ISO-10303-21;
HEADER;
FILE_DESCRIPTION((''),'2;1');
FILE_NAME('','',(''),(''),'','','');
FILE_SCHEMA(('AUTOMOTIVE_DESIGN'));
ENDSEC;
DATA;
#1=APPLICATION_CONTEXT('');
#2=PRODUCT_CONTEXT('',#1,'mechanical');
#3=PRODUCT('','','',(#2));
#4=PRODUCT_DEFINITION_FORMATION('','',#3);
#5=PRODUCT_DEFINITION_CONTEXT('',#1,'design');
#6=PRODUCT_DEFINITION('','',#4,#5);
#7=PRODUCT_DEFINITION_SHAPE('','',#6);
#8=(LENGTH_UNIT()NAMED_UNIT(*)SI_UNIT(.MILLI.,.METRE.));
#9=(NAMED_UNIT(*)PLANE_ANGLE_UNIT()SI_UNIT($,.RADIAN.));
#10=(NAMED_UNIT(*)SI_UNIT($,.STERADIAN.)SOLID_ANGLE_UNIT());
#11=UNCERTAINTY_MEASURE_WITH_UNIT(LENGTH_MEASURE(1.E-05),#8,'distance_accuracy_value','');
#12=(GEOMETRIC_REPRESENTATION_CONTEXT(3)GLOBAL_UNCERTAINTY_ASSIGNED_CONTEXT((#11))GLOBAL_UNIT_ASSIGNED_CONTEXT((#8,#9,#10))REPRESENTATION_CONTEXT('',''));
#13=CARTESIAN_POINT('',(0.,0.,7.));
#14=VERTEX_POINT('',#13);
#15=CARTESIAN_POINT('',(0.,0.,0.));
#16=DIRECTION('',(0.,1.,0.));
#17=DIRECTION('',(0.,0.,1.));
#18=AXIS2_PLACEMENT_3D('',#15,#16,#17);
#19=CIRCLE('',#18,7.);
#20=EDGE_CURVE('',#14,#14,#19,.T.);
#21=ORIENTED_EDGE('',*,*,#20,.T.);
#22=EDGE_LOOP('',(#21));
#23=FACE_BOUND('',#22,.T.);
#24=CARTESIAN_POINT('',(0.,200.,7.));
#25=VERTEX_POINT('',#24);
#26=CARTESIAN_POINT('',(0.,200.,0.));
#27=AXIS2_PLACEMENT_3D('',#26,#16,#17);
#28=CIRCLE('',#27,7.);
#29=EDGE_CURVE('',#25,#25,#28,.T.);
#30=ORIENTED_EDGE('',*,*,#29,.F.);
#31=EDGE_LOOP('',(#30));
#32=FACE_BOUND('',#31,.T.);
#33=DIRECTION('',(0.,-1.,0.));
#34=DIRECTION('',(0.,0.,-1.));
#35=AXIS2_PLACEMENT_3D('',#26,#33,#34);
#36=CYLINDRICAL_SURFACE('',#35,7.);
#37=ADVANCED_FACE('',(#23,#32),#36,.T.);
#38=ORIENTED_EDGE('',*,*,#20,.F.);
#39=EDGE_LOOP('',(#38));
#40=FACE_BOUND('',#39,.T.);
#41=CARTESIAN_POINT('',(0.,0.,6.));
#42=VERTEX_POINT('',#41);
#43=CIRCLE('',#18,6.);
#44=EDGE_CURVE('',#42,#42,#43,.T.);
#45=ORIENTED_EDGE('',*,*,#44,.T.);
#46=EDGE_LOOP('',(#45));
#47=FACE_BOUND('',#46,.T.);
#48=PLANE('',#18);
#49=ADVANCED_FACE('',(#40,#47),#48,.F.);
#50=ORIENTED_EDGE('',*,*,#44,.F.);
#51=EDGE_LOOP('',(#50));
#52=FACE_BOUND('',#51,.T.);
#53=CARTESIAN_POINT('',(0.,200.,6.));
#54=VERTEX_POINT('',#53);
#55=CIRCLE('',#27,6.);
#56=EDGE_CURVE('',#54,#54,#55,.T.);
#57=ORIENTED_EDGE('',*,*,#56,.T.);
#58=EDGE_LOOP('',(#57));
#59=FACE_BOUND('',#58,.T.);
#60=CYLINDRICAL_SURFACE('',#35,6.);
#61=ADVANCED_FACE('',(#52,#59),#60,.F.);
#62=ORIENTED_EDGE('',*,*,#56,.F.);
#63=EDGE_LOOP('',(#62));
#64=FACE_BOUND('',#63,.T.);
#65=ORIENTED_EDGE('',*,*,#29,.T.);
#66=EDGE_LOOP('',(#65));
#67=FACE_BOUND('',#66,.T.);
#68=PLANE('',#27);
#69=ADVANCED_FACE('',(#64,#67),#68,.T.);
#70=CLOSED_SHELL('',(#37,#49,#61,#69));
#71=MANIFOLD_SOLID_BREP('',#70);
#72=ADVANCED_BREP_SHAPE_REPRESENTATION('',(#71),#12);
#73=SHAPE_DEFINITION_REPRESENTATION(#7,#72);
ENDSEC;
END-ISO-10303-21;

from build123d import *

# Parameters (mm, degrees)
SKETCH_1_R      = 7
SKETCH_1_R_2    = 6
EXTRUDE_1_DEPTH = 200


with BuildPart() as part:
    # Эскиз1 → Бобышка-Вытянуть1 (new body)
    with BuildSketch(Plane(origin=(0, 0, 0), x_dir=(1, 0, 0), z_dir=(0, 1, 0))):
        Circle(SKETCH_1_R)
        Circle(SKETCH_1_R_2, mode=Mode.SUBTRACT)
    extrude(amount=EXTRUDE_1_DEPTH)


solid = part.part
